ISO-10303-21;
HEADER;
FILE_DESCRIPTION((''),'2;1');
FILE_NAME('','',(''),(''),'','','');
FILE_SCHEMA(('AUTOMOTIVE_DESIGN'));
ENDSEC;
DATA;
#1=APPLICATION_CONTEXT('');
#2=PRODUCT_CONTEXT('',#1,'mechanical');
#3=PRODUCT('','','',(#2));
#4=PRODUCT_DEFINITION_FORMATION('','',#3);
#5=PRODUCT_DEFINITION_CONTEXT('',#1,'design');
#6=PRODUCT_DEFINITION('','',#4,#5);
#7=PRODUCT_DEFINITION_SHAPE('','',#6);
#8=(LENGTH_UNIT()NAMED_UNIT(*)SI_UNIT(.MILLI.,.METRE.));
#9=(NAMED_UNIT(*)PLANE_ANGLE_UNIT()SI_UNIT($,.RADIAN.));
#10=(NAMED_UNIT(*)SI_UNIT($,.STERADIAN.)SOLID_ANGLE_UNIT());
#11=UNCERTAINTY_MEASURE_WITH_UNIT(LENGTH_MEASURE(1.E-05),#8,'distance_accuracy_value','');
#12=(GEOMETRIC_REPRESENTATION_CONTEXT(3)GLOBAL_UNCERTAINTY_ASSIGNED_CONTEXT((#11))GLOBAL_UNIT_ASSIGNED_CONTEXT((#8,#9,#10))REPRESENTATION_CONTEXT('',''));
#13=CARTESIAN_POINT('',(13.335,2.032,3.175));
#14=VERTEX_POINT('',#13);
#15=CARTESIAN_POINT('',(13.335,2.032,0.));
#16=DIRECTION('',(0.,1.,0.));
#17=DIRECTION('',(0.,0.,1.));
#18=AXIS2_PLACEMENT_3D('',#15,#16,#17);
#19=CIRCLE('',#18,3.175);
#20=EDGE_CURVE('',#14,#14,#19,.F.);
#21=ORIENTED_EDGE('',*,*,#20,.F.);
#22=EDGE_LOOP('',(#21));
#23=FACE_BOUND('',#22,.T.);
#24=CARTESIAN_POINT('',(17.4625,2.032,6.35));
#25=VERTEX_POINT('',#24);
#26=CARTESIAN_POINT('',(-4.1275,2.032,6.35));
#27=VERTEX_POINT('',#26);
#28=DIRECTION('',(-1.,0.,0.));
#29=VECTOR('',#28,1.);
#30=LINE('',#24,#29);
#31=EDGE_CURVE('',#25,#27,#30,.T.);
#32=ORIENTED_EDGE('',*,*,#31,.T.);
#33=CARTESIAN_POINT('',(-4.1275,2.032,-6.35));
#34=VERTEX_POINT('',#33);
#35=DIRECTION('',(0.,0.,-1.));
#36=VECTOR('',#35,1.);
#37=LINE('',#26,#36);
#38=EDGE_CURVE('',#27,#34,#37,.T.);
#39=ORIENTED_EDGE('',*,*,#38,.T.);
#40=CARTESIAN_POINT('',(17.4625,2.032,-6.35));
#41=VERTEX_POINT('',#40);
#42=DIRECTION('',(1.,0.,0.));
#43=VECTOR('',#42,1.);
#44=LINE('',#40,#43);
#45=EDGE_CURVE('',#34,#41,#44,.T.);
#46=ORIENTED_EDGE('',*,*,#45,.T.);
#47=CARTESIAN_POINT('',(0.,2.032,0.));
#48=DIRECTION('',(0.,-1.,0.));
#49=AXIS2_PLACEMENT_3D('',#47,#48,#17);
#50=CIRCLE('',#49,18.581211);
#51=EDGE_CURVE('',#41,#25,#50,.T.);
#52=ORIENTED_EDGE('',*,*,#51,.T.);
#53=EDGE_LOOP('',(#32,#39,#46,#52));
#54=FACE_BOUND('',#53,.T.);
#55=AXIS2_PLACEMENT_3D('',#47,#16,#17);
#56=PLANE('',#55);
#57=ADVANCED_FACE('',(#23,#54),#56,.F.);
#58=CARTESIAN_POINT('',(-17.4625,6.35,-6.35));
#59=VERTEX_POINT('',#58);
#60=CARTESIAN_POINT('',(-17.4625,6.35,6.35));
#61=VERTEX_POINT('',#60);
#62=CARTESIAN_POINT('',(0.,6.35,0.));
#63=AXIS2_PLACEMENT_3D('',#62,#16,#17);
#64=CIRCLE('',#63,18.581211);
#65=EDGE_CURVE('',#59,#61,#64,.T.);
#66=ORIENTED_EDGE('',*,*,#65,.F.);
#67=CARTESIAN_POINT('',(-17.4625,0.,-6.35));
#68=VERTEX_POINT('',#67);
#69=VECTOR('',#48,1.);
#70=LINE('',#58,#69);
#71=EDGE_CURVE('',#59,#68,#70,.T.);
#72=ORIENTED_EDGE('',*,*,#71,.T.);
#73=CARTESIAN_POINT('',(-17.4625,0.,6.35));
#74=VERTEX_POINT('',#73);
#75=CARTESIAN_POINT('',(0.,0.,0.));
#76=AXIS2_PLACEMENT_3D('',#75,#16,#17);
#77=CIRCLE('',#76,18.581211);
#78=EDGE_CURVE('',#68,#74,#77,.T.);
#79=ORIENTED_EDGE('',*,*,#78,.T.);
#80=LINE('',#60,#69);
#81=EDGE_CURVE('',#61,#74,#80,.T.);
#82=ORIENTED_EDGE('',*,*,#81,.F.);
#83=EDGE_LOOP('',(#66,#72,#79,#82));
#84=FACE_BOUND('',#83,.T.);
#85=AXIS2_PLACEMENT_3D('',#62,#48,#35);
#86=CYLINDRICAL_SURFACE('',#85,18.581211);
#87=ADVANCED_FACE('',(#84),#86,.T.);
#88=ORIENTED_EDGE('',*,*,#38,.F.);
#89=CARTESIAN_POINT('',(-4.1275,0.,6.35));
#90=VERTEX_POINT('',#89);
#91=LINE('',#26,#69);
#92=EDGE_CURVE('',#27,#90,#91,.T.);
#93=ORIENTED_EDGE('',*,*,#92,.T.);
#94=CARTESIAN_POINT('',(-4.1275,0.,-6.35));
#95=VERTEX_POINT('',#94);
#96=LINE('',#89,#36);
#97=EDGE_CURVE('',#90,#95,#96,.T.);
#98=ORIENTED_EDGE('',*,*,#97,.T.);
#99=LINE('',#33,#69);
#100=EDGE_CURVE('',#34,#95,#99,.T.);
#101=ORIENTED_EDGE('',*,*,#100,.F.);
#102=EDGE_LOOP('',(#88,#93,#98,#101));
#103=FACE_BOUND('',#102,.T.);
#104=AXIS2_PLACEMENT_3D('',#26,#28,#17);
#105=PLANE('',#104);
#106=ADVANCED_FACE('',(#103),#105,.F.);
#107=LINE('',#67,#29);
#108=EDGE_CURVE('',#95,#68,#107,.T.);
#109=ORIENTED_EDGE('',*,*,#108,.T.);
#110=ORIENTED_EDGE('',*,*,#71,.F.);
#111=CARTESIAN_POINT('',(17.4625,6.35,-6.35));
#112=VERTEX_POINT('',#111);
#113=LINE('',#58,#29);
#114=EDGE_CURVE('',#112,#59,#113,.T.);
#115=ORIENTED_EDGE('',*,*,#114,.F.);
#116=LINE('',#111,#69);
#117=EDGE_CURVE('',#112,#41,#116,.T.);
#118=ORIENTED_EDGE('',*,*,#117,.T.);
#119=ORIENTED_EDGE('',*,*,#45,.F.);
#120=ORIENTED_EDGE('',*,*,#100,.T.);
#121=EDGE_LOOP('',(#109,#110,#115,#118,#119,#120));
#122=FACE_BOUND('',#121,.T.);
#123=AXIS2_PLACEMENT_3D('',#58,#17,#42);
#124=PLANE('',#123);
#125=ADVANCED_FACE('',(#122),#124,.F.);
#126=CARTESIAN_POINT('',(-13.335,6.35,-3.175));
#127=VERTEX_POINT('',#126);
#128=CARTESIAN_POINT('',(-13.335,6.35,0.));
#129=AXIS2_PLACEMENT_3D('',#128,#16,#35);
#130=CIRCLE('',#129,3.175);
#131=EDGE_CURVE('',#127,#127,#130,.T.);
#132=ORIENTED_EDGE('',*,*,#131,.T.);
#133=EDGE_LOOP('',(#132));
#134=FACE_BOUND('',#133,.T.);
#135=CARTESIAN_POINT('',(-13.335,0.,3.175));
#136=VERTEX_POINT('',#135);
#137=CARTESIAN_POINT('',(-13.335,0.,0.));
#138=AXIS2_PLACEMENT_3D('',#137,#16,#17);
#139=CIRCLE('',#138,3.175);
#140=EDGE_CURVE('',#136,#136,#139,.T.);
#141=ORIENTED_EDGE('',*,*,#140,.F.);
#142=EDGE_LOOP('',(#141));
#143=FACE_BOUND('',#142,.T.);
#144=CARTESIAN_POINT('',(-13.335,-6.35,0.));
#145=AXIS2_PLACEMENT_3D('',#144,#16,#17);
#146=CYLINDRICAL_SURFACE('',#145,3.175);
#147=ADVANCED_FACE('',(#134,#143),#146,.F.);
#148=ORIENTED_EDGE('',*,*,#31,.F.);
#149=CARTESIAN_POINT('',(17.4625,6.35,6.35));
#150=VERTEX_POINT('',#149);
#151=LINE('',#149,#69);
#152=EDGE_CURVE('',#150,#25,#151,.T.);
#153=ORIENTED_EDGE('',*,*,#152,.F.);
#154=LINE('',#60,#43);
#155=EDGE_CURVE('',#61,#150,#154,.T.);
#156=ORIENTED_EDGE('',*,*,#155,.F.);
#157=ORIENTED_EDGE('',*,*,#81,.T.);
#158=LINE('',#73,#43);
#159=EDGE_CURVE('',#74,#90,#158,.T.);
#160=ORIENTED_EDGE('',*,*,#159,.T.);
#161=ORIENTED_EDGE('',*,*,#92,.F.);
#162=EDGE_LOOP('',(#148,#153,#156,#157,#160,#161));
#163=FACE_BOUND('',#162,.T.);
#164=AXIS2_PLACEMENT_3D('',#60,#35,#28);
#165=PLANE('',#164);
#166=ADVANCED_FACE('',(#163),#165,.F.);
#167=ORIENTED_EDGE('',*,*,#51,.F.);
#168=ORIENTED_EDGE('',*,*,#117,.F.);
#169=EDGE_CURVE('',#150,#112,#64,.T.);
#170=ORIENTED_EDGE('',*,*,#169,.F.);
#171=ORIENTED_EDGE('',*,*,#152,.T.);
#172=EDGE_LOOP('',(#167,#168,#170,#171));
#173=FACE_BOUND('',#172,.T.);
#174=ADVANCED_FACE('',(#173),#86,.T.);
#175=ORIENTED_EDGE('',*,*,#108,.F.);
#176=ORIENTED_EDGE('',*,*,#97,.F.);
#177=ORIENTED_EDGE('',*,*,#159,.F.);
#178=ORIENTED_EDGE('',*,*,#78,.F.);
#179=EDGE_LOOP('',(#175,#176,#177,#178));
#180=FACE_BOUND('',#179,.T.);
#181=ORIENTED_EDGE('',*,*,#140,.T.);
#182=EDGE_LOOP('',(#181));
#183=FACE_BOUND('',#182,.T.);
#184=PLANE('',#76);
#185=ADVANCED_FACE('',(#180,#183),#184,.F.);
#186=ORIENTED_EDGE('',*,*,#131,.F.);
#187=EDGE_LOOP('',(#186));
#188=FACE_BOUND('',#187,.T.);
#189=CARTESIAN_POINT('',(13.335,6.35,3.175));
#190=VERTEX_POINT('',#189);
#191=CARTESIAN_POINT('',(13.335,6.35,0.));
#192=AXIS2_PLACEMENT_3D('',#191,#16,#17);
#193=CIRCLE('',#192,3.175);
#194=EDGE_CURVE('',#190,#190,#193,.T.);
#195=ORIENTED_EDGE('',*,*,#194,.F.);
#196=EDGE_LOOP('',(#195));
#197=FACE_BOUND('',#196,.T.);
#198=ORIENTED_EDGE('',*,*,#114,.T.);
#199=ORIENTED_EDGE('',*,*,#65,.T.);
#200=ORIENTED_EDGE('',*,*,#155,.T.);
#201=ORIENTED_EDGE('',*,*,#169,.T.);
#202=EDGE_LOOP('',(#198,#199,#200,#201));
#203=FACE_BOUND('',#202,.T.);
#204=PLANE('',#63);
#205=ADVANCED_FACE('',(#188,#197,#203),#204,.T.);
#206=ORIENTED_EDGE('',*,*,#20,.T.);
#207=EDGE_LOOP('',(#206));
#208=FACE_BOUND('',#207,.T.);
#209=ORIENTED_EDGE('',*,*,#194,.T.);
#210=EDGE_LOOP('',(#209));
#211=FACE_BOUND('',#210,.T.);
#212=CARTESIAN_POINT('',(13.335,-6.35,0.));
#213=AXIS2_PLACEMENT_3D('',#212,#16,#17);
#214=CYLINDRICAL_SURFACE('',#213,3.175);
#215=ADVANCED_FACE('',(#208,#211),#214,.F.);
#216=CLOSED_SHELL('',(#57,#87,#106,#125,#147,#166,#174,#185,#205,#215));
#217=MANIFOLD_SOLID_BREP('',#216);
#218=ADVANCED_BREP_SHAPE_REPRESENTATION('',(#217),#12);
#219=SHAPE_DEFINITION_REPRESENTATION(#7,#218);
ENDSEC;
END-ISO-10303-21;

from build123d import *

# Parameters (mm, degrees)
BOSS_EXTRUDE2_DEPTH = 6.35
SKETCH4_R           = 3.175
CUT_EXTRUDE1_DEPTH  = 12.7
CUT_EXTRUDE2_DEPTH  = 2.032


with BuildPart() as part:
    # Sketch3 → Boss-Extrude2 (new body)
    with BuildSketch(Plane(origin=(0, 0, 0), x_dir=(1, 0, 0), z_dir=(0, 1, 0))):
        with BuildLine():
            Line((-17.4625, 6.35), (17.4625, 6.35))
            ThreePointArc((17.4625, 6.35), (18.581211108, 0), (17.4625, -6.35))
            Line((17.4625, -6.35), (-17.4625, -6.35))
            ThreePointArc((-17.4625, -6.35), (-18.581211108, 0), (-17.4625, 6.35))
        make_face()
    extrude(amount=BOSS_EXTRUDE2_DEPTH)

    # Sketch4 → Cut-Extrude1 (cut)
    with BuildSketch(Plane(origin=(0, 6.35, 0), x_dir=(1, 0, 0), z_dir=(0, 1, 0))):
        with Locations((13.335, 0)):
            Circle(SKETCH4_R)
        with Locations((-13.335, 0)):
            Circle(SKETCH4_R)
    extrude(amount=-CUT_EXTRUDE1_DEPTH, mode=Mode.SUBTRACT)

    # Sketch5 → Cut-Extrude2 (cut)
    with BuildSketch(Plane.XZ):
        with BuildLine():
            Line((17.4625, 6.35), (-4.1275, 6.35))
            Line((-4.1275, 6.35), (-4.1275, -6.35))
            Line((-4.1275, -6.35), (17.4625, -6.35))
            ThreePointArc((17.4625, -6.35), (18.581211108, 0), (17.4625, 6.35))
        make_face()
    extrude(amount=-CUT_EXTRUDE2_DEPTH, mode=Mode.SUBTRACT)


solid = part.part
